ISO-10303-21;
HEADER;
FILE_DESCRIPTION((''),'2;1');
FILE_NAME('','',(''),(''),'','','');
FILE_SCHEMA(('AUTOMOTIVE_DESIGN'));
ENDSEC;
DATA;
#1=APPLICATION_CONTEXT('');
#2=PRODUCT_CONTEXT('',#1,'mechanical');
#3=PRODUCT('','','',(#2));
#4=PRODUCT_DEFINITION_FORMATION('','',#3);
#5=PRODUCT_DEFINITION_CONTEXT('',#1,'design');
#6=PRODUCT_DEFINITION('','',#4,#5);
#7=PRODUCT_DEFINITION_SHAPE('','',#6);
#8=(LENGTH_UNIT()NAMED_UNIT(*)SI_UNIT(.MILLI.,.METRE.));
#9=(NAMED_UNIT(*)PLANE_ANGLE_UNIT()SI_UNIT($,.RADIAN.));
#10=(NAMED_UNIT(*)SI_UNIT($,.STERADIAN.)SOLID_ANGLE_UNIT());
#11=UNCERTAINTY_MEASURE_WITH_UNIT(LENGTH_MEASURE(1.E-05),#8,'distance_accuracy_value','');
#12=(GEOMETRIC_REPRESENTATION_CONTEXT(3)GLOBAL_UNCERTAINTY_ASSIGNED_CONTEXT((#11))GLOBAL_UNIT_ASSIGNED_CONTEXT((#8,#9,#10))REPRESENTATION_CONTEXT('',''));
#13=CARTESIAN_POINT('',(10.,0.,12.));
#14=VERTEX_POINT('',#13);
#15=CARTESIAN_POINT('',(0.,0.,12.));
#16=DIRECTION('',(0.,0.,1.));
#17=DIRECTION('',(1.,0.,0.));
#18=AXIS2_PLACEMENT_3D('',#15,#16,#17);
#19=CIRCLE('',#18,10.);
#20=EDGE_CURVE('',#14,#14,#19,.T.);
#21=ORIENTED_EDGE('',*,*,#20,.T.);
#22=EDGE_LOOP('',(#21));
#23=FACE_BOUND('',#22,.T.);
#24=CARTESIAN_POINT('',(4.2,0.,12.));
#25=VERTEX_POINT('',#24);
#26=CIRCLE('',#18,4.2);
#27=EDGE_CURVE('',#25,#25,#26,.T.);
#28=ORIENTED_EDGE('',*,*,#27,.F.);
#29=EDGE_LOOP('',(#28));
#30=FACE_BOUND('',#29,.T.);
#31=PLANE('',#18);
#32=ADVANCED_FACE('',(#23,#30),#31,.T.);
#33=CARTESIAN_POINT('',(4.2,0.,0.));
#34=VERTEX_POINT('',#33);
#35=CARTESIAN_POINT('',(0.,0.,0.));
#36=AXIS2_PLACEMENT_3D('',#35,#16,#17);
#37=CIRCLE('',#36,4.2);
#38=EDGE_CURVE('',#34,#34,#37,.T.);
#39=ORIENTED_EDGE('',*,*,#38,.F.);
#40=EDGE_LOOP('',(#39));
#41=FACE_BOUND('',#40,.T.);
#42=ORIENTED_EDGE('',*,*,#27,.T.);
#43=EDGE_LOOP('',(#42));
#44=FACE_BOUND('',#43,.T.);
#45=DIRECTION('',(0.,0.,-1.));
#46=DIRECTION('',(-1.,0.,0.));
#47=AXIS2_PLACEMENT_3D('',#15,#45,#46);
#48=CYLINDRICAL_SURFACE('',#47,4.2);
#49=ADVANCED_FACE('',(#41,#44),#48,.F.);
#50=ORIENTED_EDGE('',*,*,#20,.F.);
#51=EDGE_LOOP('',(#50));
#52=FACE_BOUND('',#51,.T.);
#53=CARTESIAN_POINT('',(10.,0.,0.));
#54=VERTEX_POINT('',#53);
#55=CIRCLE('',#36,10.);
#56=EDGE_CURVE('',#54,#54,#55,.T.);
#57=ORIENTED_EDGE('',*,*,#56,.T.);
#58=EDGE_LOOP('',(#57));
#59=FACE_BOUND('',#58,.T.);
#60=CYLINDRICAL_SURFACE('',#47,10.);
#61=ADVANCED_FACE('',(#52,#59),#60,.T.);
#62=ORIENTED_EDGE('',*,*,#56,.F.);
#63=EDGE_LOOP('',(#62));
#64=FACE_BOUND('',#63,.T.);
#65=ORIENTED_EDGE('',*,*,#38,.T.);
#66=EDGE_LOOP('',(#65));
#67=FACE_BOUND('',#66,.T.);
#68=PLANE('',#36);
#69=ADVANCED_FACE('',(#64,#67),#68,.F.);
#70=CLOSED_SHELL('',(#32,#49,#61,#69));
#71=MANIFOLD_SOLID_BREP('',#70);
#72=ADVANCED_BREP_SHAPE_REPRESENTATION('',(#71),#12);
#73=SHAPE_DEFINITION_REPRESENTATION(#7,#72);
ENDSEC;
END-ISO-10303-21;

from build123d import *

# Parameters (mm, degrees)
SKETCH_1_R                 = 10
SKETCH_1_R_2               = 4.2
HAND_KNOB_SIMPLIFIED_DEPTH = 12


with BuildPart() as part:
    # 草图1 → Hand_knob_simplified (new body)
    with BuildSketch(Plane.XY):
        Circle(SKETCH_1_R)
        Circle(SKETCH_1_R_2, mode=Mode.SUBTRACT)
    extrude(amount=HAND_KNOB_SIMPLIFIED_DEPTH)


solid = part.part
